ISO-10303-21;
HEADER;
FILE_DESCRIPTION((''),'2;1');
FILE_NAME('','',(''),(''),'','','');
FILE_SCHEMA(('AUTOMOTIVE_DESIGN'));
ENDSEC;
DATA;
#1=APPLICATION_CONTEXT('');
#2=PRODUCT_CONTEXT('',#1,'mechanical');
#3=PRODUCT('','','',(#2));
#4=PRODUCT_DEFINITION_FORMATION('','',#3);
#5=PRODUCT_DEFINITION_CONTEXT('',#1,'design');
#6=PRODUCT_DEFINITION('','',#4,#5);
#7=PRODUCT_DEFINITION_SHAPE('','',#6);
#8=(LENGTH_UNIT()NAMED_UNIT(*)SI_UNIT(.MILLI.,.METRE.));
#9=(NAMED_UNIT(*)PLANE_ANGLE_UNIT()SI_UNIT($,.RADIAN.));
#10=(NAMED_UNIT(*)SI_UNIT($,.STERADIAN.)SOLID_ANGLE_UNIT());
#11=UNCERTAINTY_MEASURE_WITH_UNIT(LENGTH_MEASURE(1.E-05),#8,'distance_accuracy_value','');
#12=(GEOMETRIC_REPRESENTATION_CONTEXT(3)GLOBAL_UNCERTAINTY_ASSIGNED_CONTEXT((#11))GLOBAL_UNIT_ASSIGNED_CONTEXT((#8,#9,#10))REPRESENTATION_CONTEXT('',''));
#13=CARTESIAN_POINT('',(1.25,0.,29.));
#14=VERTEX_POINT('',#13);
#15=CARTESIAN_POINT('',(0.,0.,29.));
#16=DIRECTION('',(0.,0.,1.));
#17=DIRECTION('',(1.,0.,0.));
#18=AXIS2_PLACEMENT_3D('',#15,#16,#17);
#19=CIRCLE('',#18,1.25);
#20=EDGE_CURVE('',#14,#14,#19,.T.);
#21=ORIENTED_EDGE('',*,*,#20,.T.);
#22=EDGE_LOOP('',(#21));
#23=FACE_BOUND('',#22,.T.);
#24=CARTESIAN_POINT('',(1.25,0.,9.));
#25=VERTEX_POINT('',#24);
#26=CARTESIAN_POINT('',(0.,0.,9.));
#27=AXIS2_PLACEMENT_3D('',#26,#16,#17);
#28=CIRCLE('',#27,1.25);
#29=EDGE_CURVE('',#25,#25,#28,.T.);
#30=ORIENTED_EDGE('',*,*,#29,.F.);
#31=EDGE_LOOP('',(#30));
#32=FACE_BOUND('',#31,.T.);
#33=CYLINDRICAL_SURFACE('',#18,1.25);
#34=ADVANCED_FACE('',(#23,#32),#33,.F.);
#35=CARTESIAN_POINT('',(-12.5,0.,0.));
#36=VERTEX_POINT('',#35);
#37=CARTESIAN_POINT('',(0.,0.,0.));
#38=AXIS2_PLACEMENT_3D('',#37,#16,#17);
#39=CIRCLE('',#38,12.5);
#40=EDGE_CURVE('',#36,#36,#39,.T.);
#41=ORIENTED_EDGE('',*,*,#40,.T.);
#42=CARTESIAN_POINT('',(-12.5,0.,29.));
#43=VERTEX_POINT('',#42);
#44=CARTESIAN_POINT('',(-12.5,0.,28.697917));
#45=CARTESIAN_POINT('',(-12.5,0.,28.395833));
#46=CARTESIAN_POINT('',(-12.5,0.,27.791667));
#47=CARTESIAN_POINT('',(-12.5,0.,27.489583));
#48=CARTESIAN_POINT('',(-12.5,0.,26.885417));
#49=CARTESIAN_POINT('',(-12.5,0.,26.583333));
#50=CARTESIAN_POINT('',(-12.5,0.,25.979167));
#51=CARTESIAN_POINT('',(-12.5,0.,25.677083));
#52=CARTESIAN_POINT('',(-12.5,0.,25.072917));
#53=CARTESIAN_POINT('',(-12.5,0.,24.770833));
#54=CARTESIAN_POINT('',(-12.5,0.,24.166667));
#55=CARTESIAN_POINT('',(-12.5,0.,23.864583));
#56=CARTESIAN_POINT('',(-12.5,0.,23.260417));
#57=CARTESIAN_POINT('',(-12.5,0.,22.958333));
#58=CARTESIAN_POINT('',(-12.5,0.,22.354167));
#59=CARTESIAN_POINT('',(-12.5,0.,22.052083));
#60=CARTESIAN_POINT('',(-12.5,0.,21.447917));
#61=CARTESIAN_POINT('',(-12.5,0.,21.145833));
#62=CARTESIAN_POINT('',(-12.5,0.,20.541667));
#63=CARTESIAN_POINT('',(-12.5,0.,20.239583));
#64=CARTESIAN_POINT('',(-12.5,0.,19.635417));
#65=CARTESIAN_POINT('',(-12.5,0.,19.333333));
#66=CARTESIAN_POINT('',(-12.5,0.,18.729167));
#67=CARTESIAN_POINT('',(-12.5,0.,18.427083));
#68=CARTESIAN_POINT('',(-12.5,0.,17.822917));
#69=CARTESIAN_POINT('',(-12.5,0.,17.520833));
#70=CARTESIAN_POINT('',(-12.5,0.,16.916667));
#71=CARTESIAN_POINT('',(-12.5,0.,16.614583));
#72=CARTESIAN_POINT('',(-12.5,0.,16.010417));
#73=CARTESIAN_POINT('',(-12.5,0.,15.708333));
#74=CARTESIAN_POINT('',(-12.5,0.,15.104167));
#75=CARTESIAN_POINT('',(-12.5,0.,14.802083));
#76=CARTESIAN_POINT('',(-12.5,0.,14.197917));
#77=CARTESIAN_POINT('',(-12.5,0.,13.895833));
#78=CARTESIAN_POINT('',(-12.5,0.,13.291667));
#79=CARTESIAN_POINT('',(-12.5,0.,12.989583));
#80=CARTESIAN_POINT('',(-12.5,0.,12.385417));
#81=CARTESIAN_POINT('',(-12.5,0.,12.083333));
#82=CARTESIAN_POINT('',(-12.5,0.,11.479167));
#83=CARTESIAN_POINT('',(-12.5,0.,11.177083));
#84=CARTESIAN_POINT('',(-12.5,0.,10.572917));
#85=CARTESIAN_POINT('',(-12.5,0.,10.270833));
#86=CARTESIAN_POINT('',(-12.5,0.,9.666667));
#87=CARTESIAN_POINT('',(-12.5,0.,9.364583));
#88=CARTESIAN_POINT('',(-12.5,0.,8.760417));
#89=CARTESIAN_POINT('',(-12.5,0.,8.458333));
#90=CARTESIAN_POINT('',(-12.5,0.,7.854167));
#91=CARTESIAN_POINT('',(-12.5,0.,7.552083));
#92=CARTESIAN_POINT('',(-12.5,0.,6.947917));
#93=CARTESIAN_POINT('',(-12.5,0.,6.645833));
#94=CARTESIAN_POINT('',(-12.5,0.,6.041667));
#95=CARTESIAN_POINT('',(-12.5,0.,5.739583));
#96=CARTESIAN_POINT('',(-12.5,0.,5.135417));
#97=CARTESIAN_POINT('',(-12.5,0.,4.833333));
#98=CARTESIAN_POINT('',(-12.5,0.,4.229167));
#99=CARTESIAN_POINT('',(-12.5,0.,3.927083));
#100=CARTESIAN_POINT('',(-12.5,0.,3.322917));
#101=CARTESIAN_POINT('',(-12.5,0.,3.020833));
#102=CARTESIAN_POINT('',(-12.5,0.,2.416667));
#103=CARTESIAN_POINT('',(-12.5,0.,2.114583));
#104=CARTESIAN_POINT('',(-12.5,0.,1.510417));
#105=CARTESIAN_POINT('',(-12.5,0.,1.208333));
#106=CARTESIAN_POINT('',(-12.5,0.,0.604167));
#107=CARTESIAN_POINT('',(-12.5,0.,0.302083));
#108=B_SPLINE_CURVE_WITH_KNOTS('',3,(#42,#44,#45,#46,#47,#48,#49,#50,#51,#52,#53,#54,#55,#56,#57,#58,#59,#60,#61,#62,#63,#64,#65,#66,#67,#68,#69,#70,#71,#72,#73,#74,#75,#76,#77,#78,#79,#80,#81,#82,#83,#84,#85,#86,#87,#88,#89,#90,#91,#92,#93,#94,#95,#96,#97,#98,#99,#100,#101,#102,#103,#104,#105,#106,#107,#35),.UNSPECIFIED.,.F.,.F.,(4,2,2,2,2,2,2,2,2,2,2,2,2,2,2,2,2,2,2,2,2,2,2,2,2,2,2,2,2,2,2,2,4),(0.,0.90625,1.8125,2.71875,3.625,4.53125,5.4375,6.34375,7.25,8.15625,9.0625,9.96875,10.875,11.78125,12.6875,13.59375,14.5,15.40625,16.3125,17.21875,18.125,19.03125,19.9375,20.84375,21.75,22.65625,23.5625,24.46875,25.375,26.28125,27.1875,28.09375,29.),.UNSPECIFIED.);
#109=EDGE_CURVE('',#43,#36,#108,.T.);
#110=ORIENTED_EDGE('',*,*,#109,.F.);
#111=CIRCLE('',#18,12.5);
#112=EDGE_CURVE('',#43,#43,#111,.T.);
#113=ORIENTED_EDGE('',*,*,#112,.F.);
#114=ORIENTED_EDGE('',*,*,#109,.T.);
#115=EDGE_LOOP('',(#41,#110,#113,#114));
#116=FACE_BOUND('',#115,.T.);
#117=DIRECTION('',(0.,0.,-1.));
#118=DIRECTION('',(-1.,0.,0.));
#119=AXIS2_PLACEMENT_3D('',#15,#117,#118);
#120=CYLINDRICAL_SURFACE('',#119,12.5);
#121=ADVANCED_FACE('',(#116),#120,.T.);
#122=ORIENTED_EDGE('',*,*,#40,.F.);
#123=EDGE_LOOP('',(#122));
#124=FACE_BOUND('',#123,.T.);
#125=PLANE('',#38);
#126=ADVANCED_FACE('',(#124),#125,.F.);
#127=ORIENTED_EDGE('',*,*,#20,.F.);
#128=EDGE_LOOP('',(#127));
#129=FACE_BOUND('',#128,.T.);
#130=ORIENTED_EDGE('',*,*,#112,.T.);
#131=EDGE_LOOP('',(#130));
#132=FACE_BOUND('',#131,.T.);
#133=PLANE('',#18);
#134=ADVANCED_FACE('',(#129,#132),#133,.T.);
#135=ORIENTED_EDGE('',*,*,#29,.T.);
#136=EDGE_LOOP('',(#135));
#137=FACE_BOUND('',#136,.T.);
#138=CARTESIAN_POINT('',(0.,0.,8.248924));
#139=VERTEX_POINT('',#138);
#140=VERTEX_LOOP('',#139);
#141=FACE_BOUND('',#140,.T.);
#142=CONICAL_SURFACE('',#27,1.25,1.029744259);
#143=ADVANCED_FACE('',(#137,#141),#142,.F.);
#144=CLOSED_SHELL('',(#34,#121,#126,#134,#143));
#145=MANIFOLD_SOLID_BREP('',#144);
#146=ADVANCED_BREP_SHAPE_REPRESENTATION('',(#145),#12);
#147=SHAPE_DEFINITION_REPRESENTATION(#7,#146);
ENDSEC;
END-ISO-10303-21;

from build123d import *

# Parameters (mm, degrees)
SKETCH1_R                 = 12.5
BOSS_EXTRUDE1_DEPTH       = 29
M3X0_5_TAPPED_HOLE1_D     = 2.5
M3X0_5_TAPPED_HOLE1_DEPTH = 20
M3X0_5_TAPPED_HOLE1_TIP   = 0.751075774


with BuildPart() as part:
    # Sketch1 → Boss-Extrude1 (new body)
    with BuildSketch(Plane.XY):
        with Locations(Location((0, 0, 0), (0, 0, 180))):
            Circle(SKETCH1_R)
    extrude(amount=BOSS_EXTRUDE1_DEPTH)

    # M3x0.5 Tapped Hole1
    with Locations(Plane.XY.offset(29)):
        with Locations((0, 0)):
            Hole(M3X0_5_TAPPED_HOLE1_D / 2, depth=M3X0_5_TAPPED_HOLE1_DEPTH)
            with Locations((0, 0, -(M3X0_5_TAPPED_HOLE1_DEPTH + M3X0_5_TAPPED_HOLE1_TIP / 2))):  # 118° drill point
                Cone(0, M3X0_5_TAPPED_HOLE1_D / 2, M3X0_5_TAPPED_HOLE1_TIP, mode=Mode.SUBTRACT)


solid = part.part
